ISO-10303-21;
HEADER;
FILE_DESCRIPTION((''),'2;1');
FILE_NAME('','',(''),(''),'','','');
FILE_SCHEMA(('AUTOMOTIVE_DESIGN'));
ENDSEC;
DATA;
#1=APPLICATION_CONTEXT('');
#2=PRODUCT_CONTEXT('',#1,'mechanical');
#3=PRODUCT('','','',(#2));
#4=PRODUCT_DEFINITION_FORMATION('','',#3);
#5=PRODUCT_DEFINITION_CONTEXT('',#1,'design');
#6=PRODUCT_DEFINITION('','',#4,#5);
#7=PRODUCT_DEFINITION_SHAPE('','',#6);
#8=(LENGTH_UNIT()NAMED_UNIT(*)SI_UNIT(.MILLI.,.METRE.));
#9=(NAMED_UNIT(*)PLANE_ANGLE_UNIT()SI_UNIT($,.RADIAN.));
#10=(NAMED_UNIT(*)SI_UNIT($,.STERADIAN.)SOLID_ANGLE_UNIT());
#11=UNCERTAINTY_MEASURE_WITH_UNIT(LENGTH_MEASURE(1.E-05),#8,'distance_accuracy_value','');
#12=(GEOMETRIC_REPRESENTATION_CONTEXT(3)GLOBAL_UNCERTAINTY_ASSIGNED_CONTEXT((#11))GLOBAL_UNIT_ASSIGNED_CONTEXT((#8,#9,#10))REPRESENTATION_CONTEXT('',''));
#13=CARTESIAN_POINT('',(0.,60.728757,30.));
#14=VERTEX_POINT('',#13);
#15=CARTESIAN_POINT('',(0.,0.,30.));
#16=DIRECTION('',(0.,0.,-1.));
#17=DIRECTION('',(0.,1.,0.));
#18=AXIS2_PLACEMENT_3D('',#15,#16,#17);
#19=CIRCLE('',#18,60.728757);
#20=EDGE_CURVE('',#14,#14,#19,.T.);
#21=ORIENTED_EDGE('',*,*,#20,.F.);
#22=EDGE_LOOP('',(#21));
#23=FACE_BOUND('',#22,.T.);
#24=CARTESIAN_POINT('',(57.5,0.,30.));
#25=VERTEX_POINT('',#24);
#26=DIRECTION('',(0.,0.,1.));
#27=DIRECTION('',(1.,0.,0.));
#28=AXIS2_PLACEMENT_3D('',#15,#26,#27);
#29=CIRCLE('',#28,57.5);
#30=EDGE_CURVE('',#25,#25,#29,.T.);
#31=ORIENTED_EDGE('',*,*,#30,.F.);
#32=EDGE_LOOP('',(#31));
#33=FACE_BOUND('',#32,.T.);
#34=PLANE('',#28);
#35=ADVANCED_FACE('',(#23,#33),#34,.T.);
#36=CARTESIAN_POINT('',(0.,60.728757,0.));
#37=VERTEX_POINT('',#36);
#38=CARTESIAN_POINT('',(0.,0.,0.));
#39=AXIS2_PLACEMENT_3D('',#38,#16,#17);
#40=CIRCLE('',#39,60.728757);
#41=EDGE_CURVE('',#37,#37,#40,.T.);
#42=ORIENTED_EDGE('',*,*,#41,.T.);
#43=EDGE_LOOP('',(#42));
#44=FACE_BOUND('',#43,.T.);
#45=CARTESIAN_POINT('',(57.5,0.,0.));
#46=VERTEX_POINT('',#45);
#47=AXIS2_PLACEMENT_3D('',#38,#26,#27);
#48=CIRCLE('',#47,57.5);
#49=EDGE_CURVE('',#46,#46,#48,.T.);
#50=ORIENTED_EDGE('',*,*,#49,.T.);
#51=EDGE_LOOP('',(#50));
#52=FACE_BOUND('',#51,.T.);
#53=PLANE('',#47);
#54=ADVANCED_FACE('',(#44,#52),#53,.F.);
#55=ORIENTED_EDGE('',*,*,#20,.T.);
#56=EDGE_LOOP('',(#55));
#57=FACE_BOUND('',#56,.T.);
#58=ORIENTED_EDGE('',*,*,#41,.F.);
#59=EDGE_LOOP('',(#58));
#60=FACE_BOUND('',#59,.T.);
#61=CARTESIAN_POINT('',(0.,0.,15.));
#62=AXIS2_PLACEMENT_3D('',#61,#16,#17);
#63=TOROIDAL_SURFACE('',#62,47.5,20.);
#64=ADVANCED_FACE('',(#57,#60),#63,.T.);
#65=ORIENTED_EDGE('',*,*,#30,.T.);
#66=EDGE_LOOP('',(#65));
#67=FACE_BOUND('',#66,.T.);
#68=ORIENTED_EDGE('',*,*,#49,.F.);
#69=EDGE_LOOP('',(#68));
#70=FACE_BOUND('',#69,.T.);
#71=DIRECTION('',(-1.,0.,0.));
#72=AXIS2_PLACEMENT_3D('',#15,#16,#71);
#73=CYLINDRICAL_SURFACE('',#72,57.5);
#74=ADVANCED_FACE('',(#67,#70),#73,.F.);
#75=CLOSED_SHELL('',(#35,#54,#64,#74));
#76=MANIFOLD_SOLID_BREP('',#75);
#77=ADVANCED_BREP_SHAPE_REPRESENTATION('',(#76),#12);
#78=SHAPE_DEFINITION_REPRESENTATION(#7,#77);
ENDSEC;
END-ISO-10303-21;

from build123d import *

# Parameters (mm, degrees)
SKETCH_1_R      = 67.5
SKETCH_1_R_2    = 57.5
EXTRUDE_1_DEPTH = 30


with BuildPart() as part:
    # 草图1 → 凸台-拉伸1 (new body)
    with BuildSketch(Plane.XY):
        Circle(SKETCH_1_R)
        Circle(SKETCH_1_R_2, mode=Mode.SUBTRACT)
    extrude(amount=EXTRUDE_1_DEPTH)

    # 草图3 → 切除-旋转1 (revolve, cut)
    with BuildSketch(Plane(origin=(0, 0, 0), x_dir=(0, 0, -1), z_dir=(1, 0, 0))):
        with BuildLine():
            Line((-30, 67.5), (-30, 60.728756555))
            ThreePointArc((-30, 60.728756555), (-23.228756555, 65.728756555), (-15, 67.5))
            Line((-15, 67.5), (-30, 67.5))
        make_face()
        with BuildLine():
            Line((0, 67.5), (-15, 67.5))
            ThreePointArc((-15, 67.5), (-6.771243445, 65.728756555), (0, 60.728756555))
            Line((0, 60.728756555), (0, 67.5))
        make_face()
    revolve(axis=Axis((0, 0, 0), (0, 0, 1)), mode=Mode.SUBTRACT)


solid = part.part
